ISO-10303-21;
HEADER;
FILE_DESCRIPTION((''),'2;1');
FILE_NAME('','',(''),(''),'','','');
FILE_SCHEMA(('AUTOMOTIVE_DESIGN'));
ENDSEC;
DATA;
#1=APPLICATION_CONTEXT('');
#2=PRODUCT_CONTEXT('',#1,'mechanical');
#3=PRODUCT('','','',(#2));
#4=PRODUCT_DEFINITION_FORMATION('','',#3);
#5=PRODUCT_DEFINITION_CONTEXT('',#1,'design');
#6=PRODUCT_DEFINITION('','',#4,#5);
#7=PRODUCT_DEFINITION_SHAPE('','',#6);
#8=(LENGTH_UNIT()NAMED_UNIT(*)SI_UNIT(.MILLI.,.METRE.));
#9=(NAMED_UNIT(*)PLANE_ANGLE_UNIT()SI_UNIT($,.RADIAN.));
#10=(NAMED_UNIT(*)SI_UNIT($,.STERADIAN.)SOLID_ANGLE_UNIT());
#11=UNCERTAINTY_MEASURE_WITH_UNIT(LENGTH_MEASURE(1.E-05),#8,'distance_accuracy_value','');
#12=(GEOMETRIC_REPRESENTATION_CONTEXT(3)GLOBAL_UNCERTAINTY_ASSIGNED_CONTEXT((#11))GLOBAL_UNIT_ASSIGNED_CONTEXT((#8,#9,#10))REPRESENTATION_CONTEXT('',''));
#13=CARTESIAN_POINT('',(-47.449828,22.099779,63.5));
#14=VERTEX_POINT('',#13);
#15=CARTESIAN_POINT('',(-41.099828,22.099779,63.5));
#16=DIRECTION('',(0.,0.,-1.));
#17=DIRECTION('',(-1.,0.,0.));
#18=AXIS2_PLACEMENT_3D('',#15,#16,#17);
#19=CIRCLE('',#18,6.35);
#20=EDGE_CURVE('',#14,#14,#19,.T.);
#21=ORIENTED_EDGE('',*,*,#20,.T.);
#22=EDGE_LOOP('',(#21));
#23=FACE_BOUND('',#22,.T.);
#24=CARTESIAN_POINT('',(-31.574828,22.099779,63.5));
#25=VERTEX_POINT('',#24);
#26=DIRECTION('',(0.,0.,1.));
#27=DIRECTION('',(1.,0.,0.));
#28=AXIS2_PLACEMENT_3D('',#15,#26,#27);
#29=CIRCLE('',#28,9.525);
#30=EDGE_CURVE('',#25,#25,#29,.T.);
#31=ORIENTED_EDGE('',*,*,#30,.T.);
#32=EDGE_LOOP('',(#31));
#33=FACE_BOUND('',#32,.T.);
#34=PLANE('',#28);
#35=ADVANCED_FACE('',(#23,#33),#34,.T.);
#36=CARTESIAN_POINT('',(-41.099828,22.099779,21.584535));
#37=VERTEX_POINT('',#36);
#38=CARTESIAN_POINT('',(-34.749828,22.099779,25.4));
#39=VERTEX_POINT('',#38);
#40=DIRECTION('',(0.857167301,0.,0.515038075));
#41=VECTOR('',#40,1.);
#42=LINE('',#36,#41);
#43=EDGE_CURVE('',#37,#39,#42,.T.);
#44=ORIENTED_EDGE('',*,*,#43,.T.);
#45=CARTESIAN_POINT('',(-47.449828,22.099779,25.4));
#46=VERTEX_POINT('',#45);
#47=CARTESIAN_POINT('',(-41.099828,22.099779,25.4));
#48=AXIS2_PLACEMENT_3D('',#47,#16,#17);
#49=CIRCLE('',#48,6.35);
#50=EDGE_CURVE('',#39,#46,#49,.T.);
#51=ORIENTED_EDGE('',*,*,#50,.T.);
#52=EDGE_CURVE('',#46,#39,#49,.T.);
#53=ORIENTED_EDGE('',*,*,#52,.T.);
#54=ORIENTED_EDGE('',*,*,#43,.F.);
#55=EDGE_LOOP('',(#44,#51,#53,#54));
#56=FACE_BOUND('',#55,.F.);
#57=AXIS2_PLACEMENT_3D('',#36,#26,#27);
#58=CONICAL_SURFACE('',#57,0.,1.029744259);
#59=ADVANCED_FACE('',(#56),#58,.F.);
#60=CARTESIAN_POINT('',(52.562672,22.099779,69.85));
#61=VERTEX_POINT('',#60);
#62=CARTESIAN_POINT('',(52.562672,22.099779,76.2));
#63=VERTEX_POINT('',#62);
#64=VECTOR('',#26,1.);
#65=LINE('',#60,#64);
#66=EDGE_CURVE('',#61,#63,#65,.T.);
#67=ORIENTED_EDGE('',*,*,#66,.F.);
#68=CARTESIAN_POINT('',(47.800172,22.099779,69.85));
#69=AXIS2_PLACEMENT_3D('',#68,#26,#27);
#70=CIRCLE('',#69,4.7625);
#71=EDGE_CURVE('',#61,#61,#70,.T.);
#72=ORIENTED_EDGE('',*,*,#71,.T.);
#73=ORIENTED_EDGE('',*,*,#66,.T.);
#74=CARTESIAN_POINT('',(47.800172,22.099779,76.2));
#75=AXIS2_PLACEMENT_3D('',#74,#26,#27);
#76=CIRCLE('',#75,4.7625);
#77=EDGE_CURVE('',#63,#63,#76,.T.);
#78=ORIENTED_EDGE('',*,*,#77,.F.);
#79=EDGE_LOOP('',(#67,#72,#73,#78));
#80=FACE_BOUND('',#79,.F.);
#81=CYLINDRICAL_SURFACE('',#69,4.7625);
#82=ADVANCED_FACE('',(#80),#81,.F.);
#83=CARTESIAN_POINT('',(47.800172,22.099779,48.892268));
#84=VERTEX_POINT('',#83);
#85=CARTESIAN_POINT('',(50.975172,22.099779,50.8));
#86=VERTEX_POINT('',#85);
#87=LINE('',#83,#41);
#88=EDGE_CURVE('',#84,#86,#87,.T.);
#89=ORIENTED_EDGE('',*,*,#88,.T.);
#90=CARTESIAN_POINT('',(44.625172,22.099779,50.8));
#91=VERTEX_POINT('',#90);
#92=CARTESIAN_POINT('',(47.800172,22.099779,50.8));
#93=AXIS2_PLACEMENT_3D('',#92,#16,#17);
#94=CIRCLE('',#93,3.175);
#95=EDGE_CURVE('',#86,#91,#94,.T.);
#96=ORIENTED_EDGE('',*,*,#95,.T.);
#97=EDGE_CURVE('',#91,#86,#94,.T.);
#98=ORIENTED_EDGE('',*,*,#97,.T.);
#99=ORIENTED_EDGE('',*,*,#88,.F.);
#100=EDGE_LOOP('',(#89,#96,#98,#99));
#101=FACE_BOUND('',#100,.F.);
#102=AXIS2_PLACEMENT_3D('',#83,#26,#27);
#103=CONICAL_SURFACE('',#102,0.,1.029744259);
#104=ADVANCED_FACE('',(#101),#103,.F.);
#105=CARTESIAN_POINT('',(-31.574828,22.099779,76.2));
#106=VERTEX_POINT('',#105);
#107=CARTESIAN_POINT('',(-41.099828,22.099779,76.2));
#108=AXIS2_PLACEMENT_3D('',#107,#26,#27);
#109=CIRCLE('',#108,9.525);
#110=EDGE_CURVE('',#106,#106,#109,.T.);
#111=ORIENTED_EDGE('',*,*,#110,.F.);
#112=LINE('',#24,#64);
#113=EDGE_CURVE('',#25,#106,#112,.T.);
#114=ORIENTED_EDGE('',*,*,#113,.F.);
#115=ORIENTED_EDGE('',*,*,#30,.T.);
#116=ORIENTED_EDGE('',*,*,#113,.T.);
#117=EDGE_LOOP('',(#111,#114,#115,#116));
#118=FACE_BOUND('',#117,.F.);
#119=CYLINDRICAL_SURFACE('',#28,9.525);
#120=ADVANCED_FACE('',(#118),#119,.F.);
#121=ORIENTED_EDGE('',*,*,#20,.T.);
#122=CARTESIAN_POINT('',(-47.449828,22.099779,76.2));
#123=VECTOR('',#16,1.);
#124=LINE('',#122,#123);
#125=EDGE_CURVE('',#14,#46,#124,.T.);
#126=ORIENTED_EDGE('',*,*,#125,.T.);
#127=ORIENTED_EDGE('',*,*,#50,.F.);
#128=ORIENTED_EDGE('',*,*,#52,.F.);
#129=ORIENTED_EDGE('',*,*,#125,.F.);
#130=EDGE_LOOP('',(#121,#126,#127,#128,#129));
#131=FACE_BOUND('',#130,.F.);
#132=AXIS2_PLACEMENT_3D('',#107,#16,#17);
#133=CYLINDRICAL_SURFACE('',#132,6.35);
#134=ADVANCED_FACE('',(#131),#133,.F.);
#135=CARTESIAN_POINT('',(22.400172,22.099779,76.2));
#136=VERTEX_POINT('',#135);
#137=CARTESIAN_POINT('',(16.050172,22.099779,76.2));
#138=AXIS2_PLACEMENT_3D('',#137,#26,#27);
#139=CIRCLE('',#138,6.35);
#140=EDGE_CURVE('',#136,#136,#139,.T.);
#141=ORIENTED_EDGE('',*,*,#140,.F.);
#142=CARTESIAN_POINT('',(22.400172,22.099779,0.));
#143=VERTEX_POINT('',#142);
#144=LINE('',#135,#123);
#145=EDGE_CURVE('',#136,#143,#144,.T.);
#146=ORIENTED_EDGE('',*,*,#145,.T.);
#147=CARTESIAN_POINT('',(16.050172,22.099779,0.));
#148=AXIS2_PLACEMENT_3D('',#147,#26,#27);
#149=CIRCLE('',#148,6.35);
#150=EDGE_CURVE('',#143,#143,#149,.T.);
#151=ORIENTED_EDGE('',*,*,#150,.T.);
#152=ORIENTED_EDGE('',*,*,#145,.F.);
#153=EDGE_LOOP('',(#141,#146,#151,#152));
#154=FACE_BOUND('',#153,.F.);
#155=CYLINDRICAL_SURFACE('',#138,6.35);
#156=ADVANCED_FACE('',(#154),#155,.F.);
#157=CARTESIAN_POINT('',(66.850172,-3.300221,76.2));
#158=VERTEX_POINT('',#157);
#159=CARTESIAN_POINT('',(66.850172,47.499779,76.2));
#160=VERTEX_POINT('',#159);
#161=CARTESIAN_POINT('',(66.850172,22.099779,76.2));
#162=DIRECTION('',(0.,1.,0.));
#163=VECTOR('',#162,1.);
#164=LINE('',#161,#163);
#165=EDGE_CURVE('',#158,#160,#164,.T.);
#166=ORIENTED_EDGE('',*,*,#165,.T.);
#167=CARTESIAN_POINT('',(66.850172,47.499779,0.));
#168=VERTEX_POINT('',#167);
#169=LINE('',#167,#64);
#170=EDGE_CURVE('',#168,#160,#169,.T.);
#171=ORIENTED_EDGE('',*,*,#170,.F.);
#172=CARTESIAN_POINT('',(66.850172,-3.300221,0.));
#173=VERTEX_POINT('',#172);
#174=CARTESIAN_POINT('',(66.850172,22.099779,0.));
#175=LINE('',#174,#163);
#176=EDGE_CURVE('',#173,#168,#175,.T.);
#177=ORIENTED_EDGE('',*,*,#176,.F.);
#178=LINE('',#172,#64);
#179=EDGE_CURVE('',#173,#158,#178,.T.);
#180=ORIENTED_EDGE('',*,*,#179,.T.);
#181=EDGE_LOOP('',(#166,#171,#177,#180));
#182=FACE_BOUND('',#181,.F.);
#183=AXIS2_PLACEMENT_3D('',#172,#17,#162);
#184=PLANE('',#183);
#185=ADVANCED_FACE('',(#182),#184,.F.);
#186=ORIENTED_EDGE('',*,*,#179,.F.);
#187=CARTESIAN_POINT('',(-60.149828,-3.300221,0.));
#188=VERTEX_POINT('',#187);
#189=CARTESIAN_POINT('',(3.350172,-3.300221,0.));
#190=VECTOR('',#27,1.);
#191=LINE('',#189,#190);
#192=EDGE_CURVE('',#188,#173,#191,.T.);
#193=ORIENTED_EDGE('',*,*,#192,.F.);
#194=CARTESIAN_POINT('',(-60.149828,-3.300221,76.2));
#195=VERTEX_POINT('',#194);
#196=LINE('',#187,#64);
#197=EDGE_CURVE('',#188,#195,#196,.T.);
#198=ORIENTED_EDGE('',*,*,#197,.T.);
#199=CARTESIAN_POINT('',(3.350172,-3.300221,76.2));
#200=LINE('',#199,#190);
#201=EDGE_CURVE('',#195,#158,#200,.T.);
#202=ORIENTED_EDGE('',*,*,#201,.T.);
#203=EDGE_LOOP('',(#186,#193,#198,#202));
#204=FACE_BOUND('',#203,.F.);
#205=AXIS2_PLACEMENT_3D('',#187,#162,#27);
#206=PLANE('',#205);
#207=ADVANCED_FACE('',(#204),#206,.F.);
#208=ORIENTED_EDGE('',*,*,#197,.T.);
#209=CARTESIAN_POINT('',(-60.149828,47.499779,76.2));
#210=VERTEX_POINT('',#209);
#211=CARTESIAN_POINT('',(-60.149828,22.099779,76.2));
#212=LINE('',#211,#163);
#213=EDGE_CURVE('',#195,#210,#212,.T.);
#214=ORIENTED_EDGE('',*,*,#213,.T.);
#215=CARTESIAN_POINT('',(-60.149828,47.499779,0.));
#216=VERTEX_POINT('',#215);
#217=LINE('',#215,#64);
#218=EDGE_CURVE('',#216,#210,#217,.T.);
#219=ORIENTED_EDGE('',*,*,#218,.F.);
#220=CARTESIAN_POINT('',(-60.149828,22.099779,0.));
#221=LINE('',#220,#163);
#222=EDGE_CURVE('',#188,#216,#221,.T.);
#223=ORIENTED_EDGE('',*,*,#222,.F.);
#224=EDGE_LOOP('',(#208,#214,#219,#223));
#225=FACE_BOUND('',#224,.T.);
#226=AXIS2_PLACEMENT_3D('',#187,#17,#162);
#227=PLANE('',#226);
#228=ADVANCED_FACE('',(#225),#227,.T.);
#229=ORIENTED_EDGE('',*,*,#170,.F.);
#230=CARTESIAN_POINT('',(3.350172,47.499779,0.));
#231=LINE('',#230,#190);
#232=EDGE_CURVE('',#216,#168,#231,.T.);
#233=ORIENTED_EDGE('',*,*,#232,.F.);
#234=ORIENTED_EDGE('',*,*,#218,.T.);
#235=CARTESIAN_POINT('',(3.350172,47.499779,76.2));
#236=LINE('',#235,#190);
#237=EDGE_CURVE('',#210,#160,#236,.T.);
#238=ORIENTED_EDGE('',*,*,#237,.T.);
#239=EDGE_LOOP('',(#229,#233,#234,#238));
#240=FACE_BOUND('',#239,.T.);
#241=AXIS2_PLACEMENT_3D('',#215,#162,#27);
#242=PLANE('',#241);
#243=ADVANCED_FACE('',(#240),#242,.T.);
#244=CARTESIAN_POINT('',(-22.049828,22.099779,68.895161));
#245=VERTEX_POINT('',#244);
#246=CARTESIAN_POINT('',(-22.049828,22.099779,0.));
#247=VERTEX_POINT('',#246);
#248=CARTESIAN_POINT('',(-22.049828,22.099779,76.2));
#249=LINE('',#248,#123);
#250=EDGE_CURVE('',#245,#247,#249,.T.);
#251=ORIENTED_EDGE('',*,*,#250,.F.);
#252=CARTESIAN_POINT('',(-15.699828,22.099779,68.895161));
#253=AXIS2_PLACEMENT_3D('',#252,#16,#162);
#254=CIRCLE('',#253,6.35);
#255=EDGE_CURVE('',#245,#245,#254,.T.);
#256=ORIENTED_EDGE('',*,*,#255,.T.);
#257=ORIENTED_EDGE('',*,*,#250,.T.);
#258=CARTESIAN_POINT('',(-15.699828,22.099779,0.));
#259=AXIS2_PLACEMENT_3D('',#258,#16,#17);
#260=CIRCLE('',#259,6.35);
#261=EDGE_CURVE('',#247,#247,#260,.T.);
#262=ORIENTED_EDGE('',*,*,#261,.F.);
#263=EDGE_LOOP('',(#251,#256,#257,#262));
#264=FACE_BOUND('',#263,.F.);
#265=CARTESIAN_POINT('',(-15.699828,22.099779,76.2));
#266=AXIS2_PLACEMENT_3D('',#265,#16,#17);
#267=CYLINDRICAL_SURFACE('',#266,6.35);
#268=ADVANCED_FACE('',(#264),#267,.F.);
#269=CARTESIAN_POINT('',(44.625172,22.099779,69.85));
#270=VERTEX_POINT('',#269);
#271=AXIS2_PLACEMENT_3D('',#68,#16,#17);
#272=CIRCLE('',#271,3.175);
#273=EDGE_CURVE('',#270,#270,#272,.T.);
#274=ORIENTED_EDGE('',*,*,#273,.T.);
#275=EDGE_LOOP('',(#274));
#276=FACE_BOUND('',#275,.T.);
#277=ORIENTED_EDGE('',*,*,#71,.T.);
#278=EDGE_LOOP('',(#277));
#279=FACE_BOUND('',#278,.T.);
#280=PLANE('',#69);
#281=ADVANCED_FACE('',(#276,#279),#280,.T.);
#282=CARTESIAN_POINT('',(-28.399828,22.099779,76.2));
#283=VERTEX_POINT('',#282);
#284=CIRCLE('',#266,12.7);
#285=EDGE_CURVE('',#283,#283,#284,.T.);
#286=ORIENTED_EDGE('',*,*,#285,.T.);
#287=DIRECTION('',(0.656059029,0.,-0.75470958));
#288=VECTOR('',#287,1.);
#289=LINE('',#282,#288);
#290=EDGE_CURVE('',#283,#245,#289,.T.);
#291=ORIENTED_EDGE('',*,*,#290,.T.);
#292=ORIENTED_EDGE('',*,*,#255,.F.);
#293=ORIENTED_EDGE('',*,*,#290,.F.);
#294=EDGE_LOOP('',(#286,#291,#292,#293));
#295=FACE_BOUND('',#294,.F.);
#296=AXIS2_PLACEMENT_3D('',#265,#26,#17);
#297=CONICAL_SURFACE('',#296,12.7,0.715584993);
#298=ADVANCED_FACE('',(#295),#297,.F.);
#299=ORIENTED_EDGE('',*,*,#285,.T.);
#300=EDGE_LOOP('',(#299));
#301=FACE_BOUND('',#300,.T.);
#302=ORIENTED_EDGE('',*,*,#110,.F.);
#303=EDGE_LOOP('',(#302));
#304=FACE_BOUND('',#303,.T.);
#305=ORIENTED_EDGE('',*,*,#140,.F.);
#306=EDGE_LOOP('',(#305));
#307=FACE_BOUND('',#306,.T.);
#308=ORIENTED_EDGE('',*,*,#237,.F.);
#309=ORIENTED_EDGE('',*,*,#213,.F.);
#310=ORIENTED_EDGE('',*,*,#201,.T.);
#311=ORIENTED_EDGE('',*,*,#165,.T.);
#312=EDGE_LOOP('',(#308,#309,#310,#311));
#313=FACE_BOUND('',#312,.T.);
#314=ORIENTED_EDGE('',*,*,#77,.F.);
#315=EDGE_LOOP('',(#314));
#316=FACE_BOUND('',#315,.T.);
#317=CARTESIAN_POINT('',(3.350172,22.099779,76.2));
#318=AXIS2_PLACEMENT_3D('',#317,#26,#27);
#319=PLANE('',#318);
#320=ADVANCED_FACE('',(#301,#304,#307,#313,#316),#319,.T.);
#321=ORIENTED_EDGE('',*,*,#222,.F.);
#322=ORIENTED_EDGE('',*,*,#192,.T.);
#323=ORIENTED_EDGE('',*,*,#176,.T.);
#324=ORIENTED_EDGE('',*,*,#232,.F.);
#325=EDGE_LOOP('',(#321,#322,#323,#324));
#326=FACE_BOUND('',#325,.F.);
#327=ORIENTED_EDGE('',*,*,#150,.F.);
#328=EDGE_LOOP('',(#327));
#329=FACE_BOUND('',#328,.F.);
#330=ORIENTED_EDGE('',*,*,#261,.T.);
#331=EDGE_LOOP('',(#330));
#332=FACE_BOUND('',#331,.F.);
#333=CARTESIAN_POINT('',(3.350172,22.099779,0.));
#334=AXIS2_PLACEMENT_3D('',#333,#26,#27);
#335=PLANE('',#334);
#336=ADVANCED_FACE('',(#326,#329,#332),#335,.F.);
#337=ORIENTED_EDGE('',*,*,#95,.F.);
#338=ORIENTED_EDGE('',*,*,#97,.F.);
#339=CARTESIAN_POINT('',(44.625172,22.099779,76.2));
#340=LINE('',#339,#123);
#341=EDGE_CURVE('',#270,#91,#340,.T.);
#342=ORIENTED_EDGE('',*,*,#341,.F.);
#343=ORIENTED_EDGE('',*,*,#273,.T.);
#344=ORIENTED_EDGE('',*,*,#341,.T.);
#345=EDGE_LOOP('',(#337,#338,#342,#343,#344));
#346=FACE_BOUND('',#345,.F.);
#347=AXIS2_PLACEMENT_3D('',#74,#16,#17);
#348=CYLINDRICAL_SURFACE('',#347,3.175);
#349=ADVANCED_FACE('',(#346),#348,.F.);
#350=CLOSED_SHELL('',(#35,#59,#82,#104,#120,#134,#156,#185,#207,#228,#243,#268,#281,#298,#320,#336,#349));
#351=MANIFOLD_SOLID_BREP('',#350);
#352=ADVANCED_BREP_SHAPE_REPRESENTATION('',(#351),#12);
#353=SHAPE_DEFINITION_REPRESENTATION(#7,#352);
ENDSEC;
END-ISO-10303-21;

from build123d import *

# Parameters (mm, degrees)
F0_W           = 127
F0_H           = 50.8
F1_DEPTH       = 76.2
F2_R           = 6.35
F3_DEPTH       = 76.201
F4_D           = 12.7
F4_CSINK_D     = 25.4
F4_CSINK_ANGLE = 82
F5_D           = 12.7
F5_DEPTH       = 50.8
F5_CBORE_D     = 19.05
F5_CBORE_DEPTH = 12.7
F5_TIP         = 3.8154649308
F6_D           = 6.35
F6_DEPTH       = 25.4
F6_CBORE_D     = 9.525
F6_CBORE_DEPTH = 6.35
F6_TIP         = 1.9077324654


with BuildPart() as f1:
    # F0 (on Top) → F1 (new body)
    with BuildSketch(Plane.XY):
        with Locations((3.3501721919, 22.0997785254)):
            Rectangle(F0_W, F0_H)
    extrude(amount=F1_DEPTH)

    # F2 (on face) → F3 (cut, through all)
    with BuildSketch(Plane.XY.offset(76.2)):
        with Locations((16.0501721919, 22.0997785254)):
            Circle(F2_R)
    extrude(amount=-F3_DEPTH, mode=Mode.SUBTRACT)

    # F4 (through all)
    with Locations(Plane.XY.offset(76.2)):
        with Locations((-15.6998278081, 22.0997785254)):
            CounterSinkHole(F4_D / 2, F4_CSINK_D / 2, counter_sink_angle=F4_CSINK_ANGLE)

    # F5
    with Locations(Plane.XY.offset(76.2)):
        with Locations((-41.0998278081, 22.0997785254)):
            CounterBoreHole(F5_D / 2, F5_CBORE_D / 2, F5_CBORE_DEPTH, depth=F5_DEPTH)
            with Locations((0, 0, -(F5_DEPTH + F5_TIP / 2))):  # 118° drill point
                Cone(0, F5_D / 2, F5_TIP, mode=Mode.SUBTRACT)

    # F6
    with Locations(Plane.XY.offset(76.2)):
        with Locations((47.8001721919, 22.0997785254)):
            CounterBoreHole(F6_D / 2, F6_CBORE_D / 2, F6_CBORE_DEPTH, depth=F6_DEPTH)
            with Locations((0, 0, -(F6_DEPTH + F6_TIP / 2))):  # 118° drill point
                Cone(0, F6_D / 2, F6_TIP, mode=Mode.SUBTRACT)


solid = f1.part
